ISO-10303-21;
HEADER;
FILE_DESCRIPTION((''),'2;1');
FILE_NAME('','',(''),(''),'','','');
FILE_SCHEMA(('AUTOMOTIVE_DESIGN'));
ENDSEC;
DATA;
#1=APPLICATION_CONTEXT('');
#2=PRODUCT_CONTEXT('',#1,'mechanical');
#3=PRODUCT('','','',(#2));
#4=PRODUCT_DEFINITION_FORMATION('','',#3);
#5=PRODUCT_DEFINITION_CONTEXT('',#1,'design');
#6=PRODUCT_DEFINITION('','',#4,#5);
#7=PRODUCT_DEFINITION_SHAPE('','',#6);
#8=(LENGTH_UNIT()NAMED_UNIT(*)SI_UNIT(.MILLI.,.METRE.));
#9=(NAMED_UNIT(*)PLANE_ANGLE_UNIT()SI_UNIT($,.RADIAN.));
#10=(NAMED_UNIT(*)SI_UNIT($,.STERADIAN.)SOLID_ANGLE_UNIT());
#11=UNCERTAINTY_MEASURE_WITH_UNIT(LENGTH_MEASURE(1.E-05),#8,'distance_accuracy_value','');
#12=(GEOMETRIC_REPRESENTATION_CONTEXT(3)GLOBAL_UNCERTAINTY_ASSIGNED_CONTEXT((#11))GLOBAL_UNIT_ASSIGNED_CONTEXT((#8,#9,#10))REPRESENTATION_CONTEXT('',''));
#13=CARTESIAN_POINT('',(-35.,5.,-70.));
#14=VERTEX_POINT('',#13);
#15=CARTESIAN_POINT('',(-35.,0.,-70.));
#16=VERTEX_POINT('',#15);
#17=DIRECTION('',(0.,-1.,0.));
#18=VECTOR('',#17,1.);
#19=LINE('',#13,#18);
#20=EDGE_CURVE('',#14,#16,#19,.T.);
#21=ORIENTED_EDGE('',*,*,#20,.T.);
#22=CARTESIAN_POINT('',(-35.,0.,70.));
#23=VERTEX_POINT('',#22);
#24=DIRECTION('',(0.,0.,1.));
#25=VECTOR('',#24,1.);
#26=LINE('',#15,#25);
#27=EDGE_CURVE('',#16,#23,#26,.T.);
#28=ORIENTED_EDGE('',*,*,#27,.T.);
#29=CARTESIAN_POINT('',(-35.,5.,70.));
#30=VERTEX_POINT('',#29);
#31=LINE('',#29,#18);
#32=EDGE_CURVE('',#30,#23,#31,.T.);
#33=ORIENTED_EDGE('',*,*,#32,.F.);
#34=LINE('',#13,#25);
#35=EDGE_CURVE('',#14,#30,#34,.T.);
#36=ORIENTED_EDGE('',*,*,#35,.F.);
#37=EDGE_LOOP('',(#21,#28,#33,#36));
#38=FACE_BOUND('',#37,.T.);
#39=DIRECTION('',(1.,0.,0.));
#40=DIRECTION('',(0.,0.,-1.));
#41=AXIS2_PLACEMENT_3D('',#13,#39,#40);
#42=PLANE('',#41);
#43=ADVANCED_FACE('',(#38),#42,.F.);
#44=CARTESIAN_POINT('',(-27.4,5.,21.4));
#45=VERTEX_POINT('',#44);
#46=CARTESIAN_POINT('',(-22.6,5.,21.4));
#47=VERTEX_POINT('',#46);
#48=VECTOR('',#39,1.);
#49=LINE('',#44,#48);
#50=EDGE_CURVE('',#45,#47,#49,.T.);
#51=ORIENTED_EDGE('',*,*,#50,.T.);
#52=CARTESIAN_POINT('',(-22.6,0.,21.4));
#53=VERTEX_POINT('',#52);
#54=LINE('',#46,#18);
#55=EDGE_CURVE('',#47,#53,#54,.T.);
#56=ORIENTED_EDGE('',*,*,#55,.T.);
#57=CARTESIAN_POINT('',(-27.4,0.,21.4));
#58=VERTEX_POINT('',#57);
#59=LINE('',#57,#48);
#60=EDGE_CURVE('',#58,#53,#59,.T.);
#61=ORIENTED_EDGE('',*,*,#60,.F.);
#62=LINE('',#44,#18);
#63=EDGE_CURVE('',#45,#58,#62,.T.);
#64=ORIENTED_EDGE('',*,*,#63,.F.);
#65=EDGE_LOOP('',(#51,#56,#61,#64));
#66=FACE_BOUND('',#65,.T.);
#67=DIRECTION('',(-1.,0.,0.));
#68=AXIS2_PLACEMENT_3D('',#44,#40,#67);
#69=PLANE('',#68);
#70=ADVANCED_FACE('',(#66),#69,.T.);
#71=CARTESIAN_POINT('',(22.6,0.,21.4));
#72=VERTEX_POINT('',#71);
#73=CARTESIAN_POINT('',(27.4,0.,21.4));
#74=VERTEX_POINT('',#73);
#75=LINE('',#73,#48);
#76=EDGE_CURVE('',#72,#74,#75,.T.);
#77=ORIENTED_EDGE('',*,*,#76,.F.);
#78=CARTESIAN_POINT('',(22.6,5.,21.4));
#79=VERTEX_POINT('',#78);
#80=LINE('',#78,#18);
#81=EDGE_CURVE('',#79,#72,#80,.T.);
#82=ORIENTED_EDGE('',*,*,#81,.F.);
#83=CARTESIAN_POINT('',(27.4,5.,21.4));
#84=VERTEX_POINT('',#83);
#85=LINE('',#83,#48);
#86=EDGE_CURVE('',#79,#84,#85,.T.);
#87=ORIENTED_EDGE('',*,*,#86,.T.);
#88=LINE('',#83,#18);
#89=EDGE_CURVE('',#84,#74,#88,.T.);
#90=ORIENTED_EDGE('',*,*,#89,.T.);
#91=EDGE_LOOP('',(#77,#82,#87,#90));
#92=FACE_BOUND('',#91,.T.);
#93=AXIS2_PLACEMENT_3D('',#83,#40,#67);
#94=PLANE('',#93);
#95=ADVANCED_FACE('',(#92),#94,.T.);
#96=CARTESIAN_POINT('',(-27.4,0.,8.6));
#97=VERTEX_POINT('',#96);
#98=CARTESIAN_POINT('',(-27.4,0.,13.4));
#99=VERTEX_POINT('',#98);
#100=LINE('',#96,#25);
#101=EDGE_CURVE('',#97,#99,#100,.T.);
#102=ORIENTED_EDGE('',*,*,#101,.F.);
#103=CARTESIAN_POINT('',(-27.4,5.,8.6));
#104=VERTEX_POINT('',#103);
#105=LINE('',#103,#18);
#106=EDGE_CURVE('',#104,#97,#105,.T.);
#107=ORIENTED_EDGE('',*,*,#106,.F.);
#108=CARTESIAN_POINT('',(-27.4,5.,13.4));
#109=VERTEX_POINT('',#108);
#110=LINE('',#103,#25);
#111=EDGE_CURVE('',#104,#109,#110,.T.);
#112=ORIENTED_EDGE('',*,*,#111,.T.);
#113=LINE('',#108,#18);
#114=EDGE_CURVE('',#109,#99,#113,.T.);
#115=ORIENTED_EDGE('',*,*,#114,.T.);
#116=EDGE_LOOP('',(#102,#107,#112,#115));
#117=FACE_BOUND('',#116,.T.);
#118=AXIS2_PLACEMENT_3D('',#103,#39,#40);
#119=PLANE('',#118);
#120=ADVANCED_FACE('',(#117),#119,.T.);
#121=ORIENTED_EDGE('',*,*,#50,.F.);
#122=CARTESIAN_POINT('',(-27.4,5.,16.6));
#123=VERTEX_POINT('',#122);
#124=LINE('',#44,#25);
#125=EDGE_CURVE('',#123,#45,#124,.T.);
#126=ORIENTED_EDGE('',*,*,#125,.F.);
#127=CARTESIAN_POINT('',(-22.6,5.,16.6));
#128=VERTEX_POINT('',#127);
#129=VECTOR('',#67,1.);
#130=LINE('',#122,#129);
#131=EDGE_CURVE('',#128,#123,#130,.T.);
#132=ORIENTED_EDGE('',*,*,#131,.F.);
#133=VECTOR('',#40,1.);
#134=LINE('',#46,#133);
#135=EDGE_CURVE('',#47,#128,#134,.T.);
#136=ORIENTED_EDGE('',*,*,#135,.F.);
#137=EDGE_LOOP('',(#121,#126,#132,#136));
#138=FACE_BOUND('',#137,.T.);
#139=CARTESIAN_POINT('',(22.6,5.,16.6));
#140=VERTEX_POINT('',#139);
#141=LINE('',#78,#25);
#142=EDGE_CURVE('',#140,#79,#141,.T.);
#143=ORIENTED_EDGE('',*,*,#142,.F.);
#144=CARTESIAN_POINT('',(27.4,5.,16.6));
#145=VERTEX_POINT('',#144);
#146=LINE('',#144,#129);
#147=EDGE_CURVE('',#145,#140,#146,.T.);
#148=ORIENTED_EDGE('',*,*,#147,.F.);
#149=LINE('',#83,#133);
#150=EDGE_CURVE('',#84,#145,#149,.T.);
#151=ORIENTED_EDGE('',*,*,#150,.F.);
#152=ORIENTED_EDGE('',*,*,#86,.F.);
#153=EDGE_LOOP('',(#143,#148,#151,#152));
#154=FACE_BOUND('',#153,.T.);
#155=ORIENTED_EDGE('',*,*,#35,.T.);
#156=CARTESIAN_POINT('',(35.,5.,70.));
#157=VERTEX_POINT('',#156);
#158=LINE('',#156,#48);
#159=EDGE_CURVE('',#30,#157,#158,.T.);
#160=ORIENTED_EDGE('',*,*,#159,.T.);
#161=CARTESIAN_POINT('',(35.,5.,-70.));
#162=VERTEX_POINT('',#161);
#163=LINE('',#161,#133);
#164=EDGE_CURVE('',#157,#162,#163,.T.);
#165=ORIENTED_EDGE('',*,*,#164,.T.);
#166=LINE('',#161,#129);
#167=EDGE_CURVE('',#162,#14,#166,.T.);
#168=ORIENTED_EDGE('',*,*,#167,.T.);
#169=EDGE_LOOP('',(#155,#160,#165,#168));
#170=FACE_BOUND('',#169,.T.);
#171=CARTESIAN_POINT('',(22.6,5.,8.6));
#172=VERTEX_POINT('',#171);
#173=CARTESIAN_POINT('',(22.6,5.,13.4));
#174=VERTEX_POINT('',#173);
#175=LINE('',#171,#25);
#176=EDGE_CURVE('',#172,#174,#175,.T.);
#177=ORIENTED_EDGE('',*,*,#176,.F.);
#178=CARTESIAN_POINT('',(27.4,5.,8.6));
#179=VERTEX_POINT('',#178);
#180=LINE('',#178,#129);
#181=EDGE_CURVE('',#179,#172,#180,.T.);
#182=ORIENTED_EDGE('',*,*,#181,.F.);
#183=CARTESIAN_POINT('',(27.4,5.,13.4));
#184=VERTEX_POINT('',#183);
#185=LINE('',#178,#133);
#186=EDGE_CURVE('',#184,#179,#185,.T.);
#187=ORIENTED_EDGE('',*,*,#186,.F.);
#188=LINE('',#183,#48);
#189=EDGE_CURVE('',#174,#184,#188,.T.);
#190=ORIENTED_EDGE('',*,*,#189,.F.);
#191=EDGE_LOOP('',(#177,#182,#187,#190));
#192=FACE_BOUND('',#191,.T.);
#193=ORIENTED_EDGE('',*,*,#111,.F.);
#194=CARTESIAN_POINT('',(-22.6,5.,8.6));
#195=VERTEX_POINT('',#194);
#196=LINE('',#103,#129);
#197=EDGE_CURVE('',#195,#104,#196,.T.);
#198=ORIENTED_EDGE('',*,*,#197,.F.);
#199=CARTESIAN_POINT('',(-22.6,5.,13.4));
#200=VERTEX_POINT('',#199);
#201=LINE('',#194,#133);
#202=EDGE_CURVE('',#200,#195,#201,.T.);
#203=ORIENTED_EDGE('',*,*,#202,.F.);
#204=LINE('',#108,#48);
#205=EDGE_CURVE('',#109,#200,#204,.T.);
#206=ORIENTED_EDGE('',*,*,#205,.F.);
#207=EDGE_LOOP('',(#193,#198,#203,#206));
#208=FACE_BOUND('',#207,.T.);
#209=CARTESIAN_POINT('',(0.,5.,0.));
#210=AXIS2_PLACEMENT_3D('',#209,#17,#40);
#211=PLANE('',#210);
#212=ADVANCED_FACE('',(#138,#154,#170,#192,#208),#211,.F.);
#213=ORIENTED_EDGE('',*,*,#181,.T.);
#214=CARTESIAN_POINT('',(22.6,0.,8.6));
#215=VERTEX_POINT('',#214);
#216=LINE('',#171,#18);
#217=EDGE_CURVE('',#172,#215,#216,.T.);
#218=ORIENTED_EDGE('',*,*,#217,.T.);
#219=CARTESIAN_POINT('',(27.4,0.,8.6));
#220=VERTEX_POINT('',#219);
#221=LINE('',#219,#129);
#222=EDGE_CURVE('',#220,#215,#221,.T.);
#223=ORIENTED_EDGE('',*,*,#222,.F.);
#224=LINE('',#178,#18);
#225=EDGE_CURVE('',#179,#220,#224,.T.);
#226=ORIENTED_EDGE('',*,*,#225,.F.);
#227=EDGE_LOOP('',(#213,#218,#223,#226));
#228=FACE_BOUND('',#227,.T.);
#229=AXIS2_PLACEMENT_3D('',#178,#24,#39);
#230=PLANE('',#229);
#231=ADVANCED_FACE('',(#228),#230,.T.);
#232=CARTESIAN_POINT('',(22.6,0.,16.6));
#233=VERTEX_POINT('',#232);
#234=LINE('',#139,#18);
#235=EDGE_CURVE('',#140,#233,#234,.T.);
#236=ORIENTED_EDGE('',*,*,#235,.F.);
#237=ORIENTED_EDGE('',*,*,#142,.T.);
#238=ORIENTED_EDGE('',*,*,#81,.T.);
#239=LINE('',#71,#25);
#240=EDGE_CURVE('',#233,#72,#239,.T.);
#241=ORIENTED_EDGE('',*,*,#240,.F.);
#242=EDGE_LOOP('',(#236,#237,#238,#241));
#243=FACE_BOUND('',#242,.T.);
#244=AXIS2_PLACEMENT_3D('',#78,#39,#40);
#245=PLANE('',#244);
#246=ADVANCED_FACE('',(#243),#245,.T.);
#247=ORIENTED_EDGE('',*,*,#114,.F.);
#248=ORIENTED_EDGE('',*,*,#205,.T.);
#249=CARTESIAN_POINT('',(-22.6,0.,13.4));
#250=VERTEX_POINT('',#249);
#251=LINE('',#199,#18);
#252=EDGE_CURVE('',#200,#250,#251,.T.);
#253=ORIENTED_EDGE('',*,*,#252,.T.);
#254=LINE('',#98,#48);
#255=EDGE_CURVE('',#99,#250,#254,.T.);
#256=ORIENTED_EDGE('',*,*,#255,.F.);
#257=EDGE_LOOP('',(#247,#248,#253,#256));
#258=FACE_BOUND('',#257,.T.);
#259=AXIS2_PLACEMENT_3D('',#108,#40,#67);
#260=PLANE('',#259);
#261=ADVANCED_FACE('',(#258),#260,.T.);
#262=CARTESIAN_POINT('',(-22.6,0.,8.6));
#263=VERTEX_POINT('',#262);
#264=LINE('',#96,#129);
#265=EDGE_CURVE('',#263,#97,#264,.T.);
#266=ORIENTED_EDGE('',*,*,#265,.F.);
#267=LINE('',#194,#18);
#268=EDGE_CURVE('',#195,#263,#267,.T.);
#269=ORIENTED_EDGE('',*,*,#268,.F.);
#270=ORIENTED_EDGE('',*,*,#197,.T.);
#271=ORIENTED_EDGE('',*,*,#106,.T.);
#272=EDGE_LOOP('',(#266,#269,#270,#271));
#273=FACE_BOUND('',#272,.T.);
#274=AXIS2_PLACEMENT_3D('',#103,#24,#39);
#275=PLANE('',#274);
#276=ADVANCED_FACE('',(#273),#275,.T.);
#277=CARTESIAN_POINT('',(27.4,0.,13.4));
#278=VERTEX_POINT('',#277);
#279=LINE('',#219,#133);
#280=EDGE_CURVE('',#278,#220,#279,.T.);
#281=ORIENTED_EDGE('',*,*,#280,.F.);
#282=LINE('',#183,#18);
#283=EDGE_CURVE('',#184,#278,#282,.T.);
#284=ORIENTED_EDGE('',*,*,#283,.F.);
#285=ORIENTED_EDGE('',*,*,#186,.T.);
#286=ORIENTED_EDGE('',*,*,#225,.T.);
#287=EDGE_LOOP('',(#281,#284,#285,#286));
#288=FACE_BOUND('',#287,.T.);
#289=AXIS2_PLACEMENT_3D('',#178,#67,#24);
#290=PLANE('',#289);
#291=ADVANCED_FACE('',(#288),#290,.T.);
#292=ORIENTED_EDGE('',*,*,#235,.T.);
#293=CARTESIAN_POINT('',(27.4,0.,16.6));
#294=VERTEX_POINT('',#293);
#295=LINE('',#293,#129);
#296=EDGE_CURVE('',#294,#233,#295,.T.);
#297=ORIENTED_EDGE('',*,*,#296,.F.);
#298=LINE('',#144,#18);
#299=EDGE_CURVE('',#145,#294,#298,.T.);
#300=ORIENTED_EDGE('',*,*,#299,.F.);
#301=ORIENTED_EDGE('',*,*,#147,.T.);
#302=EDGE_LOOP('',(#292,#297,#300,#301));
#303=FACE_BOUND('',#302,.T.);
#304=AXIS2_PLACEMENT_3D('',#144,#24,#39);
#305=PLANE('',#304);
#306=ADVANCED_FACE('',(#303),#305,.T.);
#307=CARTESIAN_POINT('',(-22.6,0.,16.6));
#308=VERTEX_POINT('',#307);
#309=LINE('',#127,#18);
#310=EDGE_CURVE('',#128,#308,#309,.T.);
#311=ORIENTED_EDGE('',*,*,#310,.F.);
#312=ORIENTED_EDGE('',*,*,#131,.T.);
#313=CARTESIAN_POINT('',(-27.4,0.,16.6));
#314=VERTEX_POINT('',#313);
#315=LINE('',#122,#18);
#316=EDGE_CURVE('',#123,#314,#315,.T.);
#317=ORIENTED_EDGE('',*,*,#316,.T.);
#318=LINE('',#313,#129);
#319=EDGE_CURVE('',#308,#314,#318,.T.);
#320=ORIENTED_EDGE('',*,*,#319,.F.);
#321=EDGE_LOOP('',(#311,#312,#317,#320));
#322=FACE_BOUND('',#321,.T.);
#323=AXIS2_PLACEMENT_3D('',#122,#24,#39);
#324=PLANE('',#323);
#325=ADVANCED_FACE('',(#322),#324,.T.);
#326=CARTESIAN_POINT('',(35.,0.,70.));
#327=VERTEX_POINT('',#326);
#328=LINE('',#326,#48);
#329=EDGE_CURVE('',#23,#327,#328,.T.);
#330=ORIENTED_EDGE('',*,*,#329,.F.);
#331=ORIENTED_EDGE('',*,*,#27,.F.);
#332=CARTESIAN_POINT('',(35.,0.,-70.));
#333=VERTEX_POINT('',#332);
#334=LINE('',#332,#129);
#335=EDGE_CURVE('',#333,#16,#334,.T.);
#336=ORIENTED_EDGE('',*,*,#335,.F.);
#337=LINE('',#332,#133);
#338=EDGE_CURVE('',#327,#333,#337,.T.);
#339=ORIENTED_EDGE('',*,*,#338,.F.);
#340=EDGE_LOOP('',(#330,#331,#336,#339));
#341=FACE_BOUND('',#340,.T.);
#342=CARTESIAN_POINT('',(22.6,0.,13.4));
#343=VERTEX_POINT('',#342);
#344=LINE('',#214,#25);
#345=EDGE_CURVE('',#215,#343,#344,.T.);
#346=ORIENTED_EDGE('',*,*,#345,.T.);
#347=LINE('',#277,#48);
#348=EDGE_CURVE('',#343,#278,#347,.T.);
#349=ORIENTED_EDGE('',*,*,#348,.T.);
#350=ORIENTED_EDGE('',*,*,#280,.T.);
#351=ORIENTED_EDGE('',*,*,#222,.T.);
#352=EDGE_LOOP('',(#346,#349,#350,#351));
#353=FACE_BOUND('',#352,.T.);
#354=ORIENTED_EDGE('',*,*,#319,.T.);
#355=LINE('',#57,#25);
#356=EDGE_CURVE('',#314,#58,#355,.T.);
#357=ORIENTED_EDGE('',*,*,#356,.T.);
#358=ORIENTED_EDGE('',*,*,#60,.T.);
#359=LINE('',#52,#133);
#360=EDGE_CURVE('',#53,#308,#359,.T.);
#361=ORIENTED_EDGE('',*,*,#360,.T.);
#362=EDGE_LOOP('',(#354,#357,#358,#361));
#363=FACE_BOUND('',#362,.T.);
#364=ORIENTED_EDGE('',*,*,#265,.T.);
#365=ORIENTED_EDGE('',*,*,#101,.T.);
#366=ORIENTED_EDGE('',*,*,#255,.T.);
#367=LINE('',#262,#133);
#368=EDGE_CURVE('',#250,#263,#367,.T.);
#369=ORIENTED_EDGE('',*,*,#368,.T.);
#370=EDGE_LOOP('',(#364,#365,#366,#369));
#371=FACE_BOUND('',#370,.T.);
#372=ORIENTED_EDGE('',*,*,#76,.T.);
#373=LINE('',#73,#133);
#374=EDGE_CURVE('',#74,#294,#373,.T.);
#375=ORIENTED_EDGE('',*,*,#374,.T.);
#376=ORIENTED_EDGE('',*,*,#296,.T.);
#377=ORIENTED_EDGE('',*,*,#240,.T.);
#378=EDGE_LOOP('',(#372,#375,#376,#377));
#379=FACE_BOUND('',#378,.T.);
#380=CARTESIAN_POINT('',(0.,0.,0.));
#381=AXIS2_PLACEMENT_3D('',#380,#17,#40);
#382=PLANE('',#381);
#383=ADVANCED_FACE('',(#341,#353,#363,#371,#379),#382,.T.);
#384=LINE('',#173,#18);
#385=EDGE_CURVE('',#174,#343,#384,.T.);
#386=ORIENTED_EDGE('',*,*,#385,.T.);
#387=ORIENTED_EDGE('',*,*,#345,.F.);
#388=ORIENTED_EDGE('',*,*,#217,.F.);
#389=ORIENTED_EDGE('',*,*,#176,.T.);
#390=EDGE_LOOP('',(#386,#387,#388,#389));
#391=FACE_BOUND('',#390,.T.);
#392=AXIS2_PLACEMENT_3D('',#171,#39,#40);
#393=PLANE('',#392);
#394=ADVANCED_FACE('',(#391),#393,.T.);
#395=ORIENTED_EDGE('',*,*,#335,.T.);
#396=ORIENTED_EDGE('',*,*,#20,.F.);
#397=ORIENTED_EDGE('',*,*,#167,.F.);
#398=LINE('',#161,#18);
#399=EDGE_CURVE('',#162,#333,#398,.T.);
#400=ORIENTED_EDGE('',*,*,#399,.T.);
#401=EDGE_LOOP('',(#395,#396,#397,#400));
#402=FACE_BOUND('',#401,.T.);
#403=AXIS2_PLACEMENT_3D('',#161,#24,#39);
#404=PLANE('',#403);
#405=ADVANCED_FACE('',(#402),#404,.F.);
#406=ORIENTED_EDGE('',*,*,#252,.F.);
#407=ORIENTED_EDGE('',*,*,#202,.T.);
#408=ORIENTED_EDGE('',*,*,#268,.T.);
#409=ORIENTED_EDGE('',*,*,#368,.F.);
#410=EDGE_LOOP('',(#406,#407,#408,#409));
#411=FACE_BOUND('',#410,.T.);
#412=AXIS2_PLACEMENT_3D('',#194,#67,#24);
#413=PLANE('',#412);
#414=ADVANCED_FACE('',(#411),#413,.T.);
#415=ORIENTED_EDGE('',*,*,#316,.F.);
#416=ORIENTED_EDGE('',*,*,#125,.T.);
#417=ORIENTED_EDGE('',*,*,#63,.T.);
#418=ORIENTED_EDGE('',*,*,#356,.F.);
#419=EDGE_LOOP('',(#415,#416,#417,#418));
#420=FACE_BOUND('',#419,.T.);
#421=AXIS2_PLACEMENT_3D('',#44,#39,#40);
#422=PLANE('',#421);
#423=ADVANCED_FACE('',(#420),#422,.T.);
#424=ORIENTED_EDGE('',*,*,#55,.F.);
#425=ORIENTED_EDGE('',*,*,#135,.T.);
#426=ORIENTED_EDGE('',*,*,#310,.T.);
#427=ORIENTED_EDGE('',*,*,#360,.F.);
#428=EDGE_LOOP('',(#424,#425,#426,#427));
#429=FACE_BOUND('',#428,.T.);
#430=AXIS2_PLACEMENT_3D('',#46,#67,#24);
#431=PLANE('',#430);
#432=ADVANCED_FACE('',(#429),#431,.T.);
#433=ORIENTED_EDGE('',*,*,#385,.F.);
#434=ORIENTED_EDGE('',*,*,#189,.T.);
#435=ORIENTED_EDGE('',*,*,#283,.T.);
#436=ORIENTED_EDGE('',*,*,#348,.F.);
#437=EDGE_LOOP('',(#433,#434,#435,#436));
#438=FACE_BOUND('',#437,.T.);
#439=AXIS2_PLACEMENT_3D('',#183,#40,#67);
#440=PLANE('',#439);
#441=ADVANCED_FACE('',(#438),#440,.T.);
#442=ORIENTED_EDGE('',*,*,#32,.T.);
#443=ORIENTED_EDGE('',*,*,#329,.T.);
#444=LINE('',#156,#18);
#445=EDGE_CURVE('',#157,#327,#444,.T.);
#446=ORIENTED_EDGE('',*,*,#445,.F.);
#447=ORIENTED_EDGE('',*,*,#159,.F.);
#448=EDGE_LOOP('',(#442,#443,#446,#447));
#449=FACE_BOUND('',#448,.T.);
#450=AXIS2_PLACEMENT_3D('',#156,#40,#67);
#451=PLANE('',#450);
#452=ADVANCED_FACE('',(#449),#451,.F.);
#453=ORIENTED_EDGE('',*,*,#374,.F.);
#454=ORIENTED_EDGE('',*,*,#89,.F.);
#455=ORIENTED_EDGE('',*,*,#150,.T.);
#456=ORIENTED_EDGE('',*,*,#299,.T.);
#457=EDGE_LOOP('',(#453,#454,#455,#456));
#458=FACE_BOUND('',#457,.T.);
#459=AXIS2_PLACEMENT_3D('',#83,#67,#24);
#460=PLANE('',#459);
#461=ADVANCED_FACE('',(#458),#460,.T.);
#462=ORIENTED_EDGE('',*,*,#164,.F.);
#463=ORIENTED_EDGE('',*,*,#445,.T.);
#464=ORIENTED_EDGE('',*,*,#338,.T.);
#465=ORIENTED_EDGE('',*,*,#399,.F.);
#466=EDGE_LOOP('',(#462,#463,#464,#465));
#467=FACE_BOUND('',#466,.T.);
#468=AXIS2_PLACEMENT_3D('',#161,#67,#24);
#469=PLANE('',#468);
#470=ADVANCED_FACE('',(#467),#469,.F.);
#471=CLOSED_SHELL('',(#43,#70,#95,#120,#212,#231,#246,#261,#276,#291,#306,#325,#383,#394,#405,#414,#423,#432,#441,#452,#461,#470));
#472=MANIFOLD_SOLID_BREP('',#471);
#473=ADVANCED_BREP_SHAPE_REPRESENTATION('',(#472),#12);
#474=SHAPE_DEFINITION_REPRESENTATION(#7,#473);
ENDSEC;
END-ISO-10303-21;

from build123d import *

# Parameters (mm, degrees)
SKETCH1_W           = 70
SKETCH1_H           = 140
SKETCH1_W_2         = 4.8
SKETCH1_H_2         = 4.8
BOSS_EXTRUDE1_DEPTH = 5


with BuildPart() as part:
    # Sketch1 → Boss-Extrude1 (new body)
    with BuildSketch(Plane(origin=(0, 0, 0), x_dir=(1, 0, 0), z_dir=(0, 1, 0))):
        Rectangle(SKETCH1_W, SKETCH1_H)
        with Locations((-25, -19)):
            Rectangle(SKETCH1_W_2, SKETCH1_H_2, mode=Mode.SUBTRACT)
        with Locations((-25, -11)):
            Rectangle(SKETCH1_W_2, SKETCH1_H_2, mode=Mode.SUBTRACT)
        with Locations((25, -11)):
            Rectangle(SKETCH1_W_2, SKETCH1_H_2, mode=Mode.SUBTRACT)
        with Locations((25, -19)):
            Rectangle(SKETCH1_W_2, SKETCH1_H_2, mode=Mode.SUBTRACT)
    extrude(amount=BOSS_EXTRUDE1_DEPTH)


solid = part.part
